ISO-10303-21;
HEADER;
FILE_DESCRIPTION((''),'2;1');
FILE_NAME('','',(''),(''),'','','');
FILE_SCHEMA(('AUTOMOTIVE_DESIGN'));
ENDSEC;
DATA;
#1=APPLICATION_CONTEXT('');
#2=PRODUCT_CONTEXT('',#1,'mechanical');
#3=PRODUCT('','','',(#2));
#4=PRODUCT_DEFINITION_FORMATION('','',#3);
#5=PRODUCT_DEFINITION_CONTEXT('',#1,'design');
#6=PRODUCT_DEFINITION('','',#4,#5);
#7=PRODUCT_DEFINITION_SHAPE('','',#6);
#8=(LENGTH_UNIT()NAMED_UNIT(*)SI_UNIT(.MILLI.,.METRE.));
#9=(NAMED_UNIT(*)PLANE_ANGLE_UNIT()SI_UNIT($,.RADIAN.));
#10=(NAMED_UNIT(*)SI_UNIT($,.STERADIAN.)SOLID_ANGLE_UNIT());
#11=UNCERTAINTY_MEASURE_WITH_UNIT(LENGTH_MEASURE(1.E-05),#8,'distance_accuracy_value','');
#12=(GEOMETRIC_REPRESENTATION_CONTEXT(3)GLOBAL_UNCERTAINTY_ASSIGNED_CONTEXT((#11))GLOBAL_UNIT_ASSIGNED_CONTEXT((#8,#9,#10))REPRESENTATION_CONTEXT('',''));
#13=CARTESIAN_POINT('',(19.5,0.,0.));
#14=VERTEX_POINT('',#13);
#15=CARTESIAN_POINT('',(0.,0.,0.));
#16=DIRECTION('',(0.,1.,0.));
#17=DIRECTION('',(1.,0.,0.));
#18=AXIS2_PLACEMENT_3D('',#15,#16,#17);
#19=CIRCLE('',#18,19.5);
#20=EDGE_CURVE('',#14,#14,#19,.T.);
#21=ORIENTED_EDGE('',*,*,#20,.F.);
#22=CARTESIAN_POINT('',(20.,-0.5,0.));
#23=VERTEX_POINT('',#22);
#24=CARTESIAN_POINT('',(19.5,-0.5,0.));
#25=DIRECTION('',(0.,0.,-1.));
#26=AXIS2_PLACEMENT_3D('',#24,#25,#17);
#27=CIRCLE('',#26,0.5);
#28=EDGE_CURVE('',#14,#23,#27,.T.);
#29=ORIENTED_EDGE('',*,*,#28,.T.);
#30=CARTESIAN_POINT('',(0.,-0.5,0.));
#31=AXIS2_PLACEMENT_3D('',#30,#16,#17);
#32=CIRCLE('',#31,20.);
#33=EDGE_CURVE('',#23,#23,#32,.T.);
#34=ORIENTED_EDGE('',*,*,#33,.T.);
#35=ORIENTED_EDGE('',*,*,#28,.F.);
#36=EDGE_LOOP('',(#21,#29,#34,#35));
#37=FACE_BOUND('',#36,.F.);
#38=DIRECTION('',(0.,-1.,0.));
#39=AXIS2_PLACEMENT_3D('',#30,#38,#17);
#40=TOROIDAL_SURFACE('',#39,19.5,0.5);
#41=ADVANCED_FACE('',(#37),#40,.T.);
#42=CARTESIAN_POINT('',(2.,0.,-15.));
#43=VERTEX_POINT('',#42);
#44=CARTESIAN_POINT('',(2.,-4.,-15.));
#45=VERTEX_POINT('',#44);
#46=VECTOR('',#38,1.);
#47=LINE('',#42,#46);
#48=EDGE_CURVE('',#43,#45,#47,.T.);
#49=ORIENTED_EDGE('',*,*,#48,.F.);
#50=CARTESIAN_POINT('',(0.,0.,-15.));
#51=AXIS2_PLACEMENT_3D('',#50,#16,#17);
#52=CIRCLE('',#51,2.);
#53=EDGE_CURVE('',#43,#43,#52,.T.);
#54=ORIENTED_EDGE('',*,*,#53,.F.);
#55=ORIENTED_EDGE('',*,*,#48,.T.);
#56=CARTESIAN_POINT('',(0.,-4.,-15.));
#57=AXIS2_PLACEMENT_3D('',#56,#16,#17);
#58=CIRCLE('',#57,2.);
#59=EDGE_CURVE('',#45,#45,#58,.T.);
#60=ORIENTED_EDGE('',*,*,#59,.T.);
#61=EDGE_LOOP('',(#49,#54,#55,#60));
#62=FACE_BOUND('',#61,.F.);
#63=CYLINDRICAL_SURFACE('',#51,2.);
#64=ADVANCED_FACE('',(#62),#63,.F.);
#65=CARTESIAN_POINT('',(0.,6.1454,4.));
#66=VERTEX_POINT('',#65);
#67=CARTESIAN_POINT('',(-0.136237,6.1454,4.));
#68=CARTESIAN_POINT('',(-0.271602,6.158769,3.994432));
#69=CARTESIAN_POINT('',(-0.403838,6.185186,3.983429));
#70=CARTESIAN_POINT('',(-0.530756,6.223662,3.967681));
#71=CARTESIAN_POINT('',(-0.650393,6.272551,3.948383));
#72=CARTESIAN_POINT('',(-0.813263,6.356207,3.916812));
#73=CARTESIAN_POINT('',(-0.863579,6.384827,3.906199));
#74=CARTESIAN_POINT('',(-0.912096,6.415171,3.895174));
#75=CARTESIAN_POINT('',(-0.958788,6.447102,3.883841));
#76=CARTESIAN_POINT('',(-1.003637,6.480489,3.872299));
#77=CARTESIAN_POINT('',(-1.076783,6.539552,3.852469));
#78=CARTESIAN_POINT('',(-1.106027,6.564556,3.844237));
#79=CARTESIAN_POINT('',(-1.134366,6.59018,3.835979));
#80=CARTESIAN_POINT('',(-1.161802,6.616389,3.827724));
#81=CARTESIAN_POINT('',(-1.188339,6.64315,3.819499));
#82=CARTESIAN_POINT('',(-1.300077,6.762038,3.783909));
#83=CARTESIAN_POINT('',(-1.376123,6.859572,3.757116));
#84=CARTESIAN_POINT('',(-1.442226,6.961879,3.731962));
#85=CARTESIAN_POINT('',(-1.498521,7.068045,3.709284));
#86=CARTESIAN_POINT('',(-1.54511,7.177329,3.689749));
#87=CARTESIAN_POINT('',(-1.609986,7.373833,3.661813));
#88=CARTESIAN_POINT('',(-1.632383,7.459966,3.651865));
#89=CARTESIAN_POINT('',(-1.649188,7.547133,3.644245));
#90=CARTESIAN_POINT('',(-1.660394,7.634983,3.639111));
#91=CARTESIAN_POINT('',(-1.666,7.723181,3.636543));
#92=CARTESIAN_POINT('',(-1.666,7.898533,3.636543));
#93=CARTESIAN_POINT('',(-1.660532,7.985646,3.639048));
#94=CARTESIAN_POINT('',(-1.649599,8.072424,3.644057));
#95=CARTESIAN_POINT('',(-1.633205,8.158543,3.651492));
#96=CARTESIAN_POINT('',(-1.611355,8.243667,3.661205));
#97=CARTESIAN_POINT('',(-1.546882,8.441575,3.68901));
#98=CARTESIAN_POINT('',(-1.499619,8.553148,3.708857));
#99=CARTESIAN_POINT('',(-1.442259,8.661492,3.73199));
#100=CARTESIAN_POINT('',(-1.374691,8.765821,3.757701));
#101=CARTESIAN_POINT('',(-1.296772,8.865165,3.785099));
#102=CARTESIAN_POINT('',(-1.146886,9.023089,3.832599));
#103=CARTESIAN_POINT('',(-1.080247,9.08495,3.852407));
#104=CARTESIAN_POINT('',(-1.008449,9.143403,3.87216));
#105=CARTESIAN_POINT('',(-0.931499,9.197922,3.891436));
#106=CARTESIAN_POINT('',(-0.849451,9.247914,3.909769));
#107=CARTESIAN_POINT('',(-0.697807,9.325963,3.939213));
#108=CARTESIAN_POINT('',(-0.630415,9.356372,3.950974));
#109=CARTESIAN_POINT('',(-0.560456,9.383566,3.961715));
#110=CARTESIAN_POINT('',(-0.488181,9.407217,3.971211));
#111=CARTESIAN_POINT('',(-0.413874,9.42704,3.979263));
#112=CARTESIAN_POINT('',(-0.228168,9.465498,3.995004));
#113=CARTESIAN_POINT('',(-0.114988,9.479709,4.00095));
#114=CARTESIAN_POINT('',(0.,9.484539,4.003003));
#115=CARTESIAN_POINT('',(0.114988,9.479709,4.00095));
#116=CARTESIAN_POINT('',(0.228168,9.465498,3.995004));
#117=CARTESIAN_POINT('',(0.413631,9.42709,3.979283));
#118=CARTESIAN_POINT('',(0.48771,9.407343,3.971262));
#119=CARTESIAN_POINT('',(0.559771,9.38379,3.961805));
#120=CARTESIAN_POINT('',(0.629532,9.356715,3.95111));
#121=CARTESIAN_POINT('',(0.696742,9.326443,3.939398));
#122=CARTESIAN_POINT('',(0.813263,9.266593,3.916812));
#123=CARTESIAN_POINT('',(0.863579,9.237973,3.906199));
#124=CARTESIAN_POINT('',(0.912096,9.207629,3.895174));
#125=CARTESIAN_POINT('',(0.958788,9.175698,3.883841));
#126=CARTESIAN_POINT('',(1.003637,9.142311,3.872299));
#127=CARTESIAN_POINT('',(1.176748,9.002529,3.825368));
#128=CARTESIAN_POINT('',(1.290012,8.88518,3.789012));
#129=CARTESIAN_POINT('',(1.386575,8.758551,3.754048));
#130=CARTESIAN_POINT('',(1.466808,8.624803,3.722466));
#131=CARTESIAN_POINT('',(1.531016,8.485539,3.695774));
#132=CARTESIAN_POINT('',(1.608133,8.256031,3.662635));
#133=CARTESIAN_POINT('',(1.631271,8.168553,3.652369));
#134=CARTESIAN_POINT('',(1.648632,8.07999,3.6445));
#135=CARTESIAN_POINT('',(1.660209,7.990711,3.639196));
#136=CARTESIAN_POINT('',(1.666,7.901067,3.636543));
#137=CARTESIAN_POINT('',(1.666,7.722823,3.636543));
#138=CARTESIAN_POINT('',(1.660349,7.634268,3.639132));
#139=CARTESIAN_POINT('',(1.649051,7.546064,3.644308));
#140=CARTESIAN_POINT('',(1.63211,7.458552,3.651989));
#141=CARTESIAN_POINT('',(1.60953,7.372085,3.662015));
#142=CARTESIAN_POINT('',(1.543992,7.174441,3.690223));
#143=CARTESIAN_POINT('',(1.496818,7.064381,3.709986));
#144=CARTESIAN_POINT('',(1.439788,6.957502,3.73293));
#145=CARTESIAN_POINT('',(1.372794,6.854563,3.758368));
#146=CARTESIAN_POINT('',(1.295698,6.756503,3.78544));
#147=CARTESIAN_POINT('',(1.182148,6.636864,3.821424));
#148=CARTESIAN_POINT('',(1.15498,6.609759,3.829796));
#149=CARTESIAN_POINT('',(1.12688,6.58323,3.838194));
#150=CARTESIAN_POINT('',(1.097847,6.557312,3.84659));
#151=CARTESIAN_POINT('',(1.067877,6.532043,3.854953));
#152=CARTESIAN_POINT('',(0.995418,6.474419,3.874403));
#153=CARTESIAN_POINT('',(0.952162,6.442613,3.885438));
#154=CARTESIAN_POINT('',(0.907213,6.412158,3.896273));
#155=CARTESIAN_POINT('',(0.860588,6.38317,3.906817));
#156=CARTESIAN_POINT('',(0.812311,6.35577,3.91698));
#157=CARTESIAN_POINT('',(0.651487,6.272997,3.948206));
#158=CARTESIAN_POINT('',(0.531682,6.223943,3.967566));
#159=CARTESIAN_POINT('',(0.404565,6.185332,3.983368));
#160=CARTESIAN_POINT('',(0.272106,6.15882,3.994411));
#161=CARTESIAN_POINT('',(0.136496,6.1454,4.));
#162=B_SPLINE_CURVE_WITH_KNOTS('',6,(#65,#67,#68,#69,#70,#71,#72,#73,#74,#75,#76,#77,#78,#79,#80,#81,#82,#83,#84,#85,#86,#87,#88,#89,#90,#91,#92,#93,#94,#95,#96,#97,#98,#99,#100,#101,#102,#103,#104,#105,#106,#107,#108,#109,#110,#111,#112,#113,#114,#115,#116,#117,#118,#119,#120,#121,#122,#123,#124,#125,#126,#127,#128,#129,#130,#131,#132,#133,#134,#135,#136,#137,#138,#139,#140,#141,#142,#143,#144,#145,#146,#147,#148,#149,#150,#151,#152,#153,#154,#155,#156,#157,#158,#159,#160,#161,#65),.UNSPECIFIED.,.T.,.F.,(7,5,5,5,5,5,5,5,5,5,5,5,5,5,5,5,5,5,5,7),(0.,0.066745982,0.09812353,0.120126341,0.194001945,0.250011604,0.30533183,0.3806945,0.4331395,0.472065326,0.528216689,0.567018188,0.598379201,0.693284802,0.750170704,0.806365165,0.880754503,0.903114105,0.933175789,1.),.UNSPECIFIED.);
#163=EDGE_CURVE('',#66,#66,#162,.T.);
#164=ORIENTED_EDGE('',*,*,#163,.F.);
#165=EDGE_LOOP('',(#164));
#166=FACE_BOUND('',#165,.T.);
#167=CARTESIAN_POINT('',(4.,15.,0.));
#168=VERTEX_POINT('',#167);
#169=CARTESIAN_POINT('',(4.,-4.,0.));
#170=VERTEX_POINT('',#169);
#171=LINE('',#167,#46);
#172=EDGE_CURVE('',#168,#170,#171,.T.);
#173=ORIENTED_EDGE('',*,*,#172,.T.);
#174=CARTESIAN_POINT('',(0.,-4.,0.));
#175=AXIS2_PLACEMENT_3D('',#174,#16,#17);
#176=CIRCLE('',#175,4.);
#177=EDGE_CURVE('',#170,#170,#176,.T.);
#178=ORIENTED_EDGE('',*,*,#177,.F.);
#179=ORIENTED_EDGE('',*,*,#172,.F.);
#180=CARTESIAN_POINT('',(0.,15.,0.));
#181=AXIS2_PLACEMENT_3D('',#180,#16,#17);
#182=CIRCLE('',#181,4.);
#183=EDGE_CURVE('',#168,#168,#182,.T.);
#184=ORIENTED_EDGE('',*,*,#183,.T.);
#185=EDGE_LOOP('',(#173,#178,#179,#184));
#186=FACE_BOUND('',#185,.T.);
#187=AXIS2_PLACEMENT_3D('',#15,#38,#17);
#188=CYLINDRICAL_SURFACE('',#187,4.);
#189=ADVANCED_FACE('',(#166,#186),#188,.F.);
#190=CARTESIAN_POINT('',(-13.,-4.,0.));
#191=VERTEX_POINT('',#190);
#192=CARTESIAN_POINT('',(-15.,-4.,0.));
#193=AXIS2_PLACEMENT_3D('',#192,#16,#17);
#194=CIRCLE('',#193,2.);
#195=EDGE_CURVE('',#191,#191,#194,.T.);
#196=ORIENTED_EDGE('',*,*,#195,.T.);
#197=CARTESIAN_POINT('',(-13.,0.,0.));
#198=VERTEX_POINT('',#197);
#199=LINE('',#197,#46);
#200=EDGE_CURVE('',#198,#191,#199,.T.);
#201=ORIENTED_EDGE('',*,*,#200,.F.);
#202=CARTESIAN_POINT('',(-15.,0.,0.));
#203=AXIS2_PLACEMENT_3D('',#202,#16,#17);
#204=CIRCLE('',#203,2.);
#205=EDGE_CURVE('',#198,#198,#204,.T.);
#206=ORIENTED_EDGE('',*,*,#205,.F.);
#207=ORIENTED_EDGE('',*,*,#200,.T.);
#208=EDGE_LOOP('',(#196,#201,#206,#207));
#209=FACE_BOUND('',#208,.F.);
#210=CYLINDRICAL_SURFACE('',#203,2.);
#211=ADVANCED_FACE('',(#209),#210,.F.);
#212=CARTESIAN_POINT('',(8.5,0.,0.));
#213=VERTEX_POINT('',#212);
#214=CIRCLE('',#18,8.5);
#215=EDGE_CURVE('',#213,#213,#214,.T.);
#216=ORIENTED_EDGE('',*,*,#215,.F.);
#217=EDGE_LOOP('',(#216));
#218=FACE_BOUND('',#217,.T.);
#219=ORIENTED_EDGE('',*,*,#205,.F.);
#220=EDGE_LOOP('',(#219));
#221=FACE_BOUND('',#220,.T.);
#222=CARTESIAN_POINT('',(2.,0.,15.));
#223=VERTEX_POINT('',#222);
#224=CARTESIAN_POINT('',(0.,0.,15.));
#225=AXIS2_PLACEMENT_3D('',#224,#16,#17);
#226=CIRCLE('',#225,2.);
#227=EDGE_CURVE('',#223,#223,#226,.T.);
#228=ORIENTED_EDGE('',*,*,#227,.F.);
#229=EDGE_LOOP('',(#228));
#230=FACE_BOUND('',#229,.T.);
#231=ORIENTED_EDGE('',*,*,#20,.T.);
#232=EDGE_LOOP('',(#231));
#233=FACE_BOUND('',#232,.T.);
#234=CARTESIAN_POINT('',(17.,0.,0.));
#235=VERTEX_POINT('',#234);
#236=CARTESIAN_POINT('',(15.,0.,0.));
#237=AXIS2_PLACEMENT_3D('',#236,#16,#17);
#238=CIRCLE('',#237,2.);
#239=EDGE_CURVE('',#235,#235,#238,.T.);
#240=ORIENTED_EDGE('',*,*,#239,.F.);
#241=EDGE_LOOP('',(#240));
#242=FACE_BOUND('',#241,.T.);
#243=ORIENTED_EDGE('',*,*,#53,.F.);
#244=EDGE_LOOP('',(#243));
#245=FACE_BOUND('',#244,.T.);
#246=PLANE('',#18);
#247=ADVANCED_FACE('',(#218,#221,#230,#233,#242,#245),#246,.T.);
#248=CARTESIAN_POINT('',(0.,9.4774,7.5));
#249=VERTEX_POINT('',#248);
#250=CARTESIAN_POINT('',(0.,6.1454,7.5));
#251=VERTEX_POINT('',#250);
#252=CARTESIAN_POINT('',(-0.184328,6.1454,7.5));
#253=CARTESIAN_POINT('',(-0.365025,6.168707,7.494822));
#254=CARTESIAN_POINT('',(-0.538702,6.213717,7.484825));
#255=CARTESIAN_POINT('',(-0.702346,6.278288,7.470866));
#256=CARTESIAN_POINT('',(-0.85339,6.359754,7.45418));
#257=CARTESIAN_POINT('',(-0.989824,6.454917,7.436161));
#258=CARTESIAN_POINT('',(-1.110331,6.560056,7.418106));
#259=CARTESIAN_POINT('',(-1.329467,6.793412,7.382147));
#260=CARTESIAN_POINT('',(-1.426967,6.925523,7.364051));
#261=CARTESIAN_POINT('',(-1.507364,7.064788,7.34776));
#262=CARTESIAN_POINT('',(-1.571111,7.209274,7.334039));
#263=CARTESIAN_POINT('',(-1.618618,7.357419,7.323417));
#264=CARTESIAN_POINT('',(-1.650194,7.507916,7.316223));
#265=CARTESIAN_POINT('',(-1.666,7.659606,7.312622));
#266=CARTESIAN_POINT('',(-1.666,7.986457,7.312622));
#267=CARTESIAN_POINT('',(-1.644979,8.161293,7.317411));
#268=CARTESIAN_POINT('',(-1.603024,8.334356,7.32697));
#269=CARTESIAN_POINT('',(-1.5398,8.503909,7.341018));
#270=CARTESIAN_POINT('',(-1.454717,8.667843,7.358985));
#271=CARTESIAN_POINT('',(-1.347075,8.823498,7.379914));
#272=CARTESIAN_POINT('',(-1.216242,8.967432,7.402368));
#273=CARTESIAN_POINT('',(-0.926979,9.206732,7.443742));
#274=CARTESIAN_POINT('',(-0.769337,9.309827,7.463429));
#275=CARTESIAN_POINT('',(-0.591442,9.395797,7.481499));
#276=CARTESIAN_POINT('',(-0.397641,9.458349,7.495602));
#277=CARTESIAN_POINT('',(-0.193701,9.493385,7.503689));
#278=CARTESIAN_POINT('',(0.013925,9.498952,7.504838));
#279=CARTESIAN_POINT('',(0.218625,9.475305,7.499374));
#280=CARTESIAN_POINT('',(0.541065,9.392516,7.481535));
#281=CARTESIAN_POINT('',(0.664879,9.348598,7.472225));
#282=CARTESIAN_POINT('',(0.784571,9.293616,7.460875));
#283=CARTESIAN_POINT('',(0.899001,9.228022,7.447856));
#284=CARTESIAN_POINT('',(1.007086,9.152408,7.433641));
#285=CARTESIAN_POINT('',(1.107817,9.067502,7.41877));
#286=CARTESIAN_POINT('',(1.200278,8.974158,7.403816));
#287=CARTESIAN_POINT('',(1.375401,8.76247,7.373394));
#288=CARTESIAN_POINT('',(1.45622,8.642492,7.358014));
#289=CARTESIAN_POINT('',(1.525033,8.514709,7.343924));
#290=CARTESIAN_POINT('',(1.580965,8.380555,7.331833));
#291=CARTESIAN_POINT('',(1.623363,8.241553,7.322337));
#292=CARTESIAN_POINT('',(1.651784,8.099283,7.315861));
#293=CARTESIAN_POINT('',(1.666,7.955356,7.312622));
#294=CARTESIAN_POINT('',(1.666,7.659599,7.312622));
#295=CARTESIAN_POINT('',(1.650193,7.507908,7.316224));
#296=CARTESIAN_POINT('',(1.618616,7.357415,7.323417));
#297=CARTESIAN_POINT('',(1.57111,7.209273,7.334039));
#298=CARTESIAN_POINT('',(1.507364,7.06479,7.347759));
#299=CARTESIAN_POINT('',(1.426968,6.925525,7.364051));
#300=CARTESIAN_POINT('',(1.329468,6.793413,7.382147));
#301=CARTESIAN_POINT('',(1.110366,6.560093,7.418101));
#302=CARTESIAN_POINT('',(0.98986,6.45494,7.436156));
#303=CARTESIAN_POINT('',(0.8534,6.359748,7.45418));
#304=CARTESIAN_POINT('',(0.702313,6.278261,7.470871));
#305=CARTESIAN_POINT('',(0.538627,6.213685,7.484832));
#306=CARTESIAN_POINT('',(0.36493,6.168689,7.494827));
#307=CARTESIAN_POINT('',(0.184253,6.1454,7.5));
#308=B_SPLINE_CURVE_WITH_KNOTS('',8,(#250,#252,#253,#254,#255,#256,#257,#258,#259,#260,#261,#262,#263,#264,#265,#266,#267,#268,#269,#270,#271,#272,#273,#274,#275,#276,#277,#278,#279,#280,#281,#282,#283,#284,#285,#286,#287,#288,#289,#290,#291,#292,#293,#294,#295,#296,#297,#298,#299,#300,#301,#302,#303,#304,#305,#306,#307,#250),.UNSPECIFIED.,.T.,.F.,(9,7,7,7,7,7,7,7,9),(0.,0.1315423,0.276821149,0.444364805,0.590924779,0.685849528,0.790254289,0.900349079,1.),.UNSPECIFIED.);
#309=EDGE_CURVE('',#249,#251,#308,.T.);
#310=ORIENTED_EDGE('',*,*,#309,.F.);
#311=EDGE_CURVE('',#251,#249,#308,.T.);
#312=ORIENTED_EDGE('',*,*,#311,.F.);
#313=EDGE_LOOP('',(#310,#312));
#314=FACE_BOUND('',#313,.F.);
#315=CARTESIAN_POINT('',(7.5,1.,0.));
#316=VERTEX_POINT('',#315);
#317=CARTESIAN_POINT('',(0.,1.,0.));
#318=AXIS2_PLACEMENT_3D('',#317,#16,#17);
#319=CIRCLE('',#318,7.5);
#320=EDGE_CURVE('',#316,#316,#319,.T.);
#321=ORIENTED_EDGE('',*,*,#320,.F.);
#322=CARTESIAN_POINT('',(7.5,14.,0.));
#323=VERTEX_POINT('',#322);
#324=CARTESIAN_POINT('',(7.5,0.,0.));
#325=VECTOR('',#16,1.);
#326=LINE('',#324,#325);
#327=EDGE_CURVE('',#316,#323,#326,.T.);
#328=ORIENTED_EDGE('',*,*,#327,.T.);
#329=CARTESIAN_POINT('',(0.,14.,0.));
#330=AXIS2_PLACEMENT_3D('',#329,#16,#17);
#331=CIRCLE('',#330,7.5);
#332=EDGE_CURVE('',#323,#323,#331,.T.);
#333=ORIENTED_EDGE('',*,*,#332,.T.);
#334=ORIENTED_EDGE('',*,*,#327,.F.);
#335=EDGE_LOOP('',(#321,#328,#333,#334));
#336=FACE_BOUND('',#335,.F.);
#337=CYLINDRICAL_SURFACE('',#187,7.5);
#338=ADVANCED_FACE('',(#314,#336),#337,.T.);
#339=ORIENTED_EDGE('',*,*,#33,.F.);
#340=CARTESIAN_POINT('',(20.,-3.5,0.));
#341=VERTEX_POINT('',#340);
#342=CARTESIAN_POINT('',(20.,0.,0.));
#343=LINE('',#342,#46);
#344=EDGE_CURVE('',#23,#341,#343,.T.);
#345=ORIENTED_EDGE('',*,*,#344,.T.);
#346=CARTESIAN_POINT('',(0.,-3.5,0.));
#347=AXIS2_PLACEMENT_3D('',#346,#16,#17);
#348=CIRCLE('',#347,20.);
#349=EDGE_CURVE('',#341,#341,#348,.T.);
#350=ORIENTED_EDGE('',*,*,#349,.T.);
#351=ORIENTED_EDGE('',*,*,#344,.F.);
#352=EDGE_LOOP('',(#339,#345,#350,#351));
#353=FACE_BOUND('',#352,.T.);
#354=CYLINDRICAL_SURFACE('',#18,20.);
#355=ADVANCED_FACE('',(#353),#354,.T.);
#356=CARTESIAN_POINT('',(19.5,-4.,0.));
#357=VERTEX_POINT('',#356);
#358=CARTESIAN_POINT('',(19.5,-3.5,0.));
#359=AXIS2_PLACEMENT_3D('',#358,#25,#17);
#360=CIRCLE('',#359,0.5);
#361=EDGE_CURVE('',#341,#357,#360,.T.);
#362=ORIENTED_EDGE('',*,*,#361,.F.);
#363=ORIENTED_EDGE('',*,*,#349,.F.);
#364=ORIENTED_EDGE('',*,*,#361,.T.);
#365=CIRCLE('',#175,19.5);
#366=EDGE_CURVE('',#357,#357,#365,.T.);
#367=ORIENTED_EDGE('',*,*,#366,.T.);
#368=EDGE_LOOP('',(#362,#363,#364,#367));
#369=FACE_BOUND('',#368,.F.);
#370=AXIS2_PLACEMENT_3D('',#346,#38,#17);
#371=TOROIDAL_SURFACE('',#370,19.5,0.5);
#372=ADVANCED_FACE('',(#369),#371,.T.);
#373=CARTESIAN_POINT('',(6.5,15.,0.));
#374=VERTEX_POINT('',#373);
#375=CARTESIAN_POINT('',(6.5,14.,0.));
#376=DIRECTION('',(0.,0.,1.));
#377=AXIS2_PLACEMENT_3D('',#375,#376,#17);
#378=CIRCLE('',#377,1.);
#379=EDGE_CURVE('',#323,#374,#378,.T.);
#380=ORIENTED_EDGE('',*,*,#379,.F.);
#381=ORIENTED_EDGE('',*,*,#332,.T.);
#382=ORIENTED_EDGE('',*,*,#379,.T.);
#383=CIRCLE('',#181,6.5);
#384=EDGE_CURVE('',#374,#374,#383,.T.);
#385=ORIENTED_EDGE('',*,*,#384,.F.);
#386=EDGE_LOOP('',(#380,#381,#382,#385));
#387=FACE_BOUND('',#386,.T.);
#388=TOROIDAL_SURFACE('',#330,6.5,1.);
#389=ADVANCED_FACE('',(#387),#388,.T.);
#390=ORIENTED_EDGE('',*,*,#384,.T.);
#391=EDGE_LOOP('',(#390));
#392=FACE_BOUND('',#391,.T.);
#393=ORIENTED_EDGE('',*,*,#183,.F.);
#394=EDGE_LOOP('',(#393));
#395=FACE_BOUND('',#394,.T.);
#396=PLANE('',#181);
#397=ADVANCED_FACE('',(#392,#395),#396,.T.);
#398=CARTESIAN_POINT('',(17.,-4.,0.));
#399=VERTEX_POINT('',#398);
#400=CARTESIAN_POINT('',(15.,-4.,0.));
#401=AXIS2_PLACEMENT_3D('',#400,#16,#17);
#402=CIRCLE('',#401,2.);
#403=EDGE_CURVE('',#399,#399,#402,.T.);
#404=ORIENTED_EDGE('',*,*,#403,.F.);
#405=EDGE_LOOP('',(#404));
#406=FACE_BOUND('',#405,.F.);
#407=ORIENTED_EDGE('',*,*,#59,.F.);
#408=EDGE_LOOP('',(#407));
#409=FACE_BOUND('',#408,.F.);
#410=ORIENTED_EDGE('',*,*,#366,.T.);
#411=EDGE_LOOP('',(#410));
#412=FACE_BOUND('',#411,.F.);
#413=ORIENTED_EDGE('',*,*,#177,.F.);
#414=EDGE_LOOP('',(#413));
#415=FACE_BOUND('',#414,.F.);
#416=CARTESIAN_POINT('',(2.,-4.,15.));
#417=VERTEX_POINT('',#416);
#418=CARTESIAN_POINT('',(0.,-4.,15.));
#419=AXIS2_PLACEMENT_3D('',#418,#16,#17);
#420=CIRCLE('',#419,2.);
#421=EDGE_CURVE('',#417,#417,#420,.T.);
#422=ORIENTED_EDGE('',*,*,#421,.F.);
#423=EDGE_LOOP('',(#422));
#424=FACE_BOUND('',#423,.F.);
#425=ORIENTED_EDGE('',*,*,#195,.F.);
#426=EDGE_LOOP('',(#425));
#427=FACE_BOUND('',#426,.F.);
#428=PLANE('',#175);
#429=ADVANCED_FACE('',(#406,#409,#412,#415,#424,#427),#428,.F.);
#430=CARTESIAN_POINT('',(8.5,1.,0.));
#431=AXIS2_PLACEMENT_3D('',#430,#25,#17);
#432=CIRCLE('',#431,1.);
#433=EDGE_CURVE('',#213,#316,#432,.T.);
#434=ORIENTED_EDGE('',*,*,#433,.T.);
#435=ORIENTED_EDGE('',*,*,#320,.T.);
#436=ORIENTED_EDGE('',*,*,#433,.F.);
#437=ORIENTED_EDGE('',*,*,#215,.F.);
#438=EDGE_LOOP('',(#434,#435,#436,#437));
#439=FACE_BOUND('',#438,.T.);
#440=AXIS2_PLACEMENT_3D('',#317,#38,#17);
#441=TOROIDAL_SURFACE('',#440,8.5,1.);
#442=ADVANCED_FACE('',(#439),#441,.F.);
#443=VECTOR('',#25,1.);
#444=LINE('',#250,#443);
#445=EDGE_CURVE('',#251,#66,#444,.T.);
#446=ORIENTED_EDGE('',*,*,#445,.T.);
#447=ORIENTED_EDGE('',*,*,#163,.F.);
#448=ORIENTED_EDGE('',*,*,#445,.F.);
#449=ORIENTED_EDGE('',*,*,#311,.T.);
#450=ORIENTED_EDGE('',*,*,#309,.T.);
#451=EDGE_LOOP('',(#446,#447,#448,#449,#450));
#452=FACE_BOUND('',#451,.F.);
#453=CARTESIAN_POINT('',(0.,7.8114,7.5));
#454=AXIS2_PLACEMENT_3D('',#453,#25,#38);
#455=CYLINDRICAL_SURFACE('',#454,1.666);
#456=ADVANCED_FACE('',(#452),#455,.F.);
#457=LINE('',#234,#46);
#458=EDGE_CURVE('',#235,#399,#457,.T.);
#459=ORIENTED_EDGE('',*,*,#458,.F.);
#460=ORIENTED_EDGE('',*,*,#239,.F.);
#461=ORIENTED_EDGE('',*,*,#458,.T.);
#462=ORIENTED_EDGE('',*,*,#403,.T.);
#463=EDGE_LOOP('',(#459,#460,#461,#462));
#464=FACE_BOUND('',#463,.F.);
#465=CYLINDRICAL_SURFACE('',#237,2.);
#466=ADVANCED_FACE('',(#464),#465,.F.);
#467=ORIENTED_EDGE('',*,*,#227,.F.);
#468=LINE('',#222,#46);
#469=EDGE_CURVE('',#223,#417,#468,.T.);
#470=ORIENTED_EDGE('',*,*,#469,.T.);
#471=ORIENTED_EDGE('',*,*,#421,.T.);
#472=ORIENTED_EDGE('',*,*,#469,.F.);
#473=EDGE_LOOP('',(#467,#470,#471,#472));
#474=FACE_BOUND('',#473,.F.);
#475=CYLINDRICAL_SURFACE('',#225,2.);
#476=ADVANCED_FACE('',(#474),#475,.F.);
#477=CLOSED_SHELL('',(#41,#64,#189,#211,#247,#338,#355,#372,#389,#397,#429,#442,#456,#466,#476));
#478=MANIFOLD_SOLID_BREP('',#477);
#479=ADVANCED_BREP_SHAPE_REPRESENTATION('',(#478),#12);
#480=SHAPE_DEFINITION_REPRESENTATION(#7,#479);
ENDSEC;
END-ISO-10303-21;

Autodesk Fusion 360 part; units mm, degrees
sketch "Sketch1" plane through (0, 0, 0) normal (0, 1, 0) x (1, 0, 0)
  circle A0 centre (0, 0) radius 4
  circle A1 centre (0, 0) radius 7.5
  circle A2 centre (0, 0) radius 20
  circle A3 centre (0, 0) radius 15 construction
  circle A4 centre (0, -15) radius 2
  circle A5 centre (15, 0) radius 2
  circle A6 centre (0, 15) radius 2
  circle A7 centre (-15, 0) radius 2
  dimension "d1" = 8
  dimension "d2" = 15
  dimension "d3" = 40
  dimension "d4" = 4
  dimension "d6" = 360
extrude "Extrude1" add sketch "Sketch1" along normal blind 15 contours A1
extrude "Extrude2" add sketch "Sketch1" against normal blind 4 contours A1 | A2
fillet "Fillet1" radius 0.5 2 edges at (-18.6465, -4, -7.2323) (-18.6465, 0, 7.2323)
fillet "Fillet2" radius 1 2 edges at (-6.9925, 0, 2.7121) (-6.9925, 15, 2.7121)
hole "Hole1" at (0, 7.8114, 7.5) direction (0, 0, -1) diameter 3.332 depth 8 tip angle 118
